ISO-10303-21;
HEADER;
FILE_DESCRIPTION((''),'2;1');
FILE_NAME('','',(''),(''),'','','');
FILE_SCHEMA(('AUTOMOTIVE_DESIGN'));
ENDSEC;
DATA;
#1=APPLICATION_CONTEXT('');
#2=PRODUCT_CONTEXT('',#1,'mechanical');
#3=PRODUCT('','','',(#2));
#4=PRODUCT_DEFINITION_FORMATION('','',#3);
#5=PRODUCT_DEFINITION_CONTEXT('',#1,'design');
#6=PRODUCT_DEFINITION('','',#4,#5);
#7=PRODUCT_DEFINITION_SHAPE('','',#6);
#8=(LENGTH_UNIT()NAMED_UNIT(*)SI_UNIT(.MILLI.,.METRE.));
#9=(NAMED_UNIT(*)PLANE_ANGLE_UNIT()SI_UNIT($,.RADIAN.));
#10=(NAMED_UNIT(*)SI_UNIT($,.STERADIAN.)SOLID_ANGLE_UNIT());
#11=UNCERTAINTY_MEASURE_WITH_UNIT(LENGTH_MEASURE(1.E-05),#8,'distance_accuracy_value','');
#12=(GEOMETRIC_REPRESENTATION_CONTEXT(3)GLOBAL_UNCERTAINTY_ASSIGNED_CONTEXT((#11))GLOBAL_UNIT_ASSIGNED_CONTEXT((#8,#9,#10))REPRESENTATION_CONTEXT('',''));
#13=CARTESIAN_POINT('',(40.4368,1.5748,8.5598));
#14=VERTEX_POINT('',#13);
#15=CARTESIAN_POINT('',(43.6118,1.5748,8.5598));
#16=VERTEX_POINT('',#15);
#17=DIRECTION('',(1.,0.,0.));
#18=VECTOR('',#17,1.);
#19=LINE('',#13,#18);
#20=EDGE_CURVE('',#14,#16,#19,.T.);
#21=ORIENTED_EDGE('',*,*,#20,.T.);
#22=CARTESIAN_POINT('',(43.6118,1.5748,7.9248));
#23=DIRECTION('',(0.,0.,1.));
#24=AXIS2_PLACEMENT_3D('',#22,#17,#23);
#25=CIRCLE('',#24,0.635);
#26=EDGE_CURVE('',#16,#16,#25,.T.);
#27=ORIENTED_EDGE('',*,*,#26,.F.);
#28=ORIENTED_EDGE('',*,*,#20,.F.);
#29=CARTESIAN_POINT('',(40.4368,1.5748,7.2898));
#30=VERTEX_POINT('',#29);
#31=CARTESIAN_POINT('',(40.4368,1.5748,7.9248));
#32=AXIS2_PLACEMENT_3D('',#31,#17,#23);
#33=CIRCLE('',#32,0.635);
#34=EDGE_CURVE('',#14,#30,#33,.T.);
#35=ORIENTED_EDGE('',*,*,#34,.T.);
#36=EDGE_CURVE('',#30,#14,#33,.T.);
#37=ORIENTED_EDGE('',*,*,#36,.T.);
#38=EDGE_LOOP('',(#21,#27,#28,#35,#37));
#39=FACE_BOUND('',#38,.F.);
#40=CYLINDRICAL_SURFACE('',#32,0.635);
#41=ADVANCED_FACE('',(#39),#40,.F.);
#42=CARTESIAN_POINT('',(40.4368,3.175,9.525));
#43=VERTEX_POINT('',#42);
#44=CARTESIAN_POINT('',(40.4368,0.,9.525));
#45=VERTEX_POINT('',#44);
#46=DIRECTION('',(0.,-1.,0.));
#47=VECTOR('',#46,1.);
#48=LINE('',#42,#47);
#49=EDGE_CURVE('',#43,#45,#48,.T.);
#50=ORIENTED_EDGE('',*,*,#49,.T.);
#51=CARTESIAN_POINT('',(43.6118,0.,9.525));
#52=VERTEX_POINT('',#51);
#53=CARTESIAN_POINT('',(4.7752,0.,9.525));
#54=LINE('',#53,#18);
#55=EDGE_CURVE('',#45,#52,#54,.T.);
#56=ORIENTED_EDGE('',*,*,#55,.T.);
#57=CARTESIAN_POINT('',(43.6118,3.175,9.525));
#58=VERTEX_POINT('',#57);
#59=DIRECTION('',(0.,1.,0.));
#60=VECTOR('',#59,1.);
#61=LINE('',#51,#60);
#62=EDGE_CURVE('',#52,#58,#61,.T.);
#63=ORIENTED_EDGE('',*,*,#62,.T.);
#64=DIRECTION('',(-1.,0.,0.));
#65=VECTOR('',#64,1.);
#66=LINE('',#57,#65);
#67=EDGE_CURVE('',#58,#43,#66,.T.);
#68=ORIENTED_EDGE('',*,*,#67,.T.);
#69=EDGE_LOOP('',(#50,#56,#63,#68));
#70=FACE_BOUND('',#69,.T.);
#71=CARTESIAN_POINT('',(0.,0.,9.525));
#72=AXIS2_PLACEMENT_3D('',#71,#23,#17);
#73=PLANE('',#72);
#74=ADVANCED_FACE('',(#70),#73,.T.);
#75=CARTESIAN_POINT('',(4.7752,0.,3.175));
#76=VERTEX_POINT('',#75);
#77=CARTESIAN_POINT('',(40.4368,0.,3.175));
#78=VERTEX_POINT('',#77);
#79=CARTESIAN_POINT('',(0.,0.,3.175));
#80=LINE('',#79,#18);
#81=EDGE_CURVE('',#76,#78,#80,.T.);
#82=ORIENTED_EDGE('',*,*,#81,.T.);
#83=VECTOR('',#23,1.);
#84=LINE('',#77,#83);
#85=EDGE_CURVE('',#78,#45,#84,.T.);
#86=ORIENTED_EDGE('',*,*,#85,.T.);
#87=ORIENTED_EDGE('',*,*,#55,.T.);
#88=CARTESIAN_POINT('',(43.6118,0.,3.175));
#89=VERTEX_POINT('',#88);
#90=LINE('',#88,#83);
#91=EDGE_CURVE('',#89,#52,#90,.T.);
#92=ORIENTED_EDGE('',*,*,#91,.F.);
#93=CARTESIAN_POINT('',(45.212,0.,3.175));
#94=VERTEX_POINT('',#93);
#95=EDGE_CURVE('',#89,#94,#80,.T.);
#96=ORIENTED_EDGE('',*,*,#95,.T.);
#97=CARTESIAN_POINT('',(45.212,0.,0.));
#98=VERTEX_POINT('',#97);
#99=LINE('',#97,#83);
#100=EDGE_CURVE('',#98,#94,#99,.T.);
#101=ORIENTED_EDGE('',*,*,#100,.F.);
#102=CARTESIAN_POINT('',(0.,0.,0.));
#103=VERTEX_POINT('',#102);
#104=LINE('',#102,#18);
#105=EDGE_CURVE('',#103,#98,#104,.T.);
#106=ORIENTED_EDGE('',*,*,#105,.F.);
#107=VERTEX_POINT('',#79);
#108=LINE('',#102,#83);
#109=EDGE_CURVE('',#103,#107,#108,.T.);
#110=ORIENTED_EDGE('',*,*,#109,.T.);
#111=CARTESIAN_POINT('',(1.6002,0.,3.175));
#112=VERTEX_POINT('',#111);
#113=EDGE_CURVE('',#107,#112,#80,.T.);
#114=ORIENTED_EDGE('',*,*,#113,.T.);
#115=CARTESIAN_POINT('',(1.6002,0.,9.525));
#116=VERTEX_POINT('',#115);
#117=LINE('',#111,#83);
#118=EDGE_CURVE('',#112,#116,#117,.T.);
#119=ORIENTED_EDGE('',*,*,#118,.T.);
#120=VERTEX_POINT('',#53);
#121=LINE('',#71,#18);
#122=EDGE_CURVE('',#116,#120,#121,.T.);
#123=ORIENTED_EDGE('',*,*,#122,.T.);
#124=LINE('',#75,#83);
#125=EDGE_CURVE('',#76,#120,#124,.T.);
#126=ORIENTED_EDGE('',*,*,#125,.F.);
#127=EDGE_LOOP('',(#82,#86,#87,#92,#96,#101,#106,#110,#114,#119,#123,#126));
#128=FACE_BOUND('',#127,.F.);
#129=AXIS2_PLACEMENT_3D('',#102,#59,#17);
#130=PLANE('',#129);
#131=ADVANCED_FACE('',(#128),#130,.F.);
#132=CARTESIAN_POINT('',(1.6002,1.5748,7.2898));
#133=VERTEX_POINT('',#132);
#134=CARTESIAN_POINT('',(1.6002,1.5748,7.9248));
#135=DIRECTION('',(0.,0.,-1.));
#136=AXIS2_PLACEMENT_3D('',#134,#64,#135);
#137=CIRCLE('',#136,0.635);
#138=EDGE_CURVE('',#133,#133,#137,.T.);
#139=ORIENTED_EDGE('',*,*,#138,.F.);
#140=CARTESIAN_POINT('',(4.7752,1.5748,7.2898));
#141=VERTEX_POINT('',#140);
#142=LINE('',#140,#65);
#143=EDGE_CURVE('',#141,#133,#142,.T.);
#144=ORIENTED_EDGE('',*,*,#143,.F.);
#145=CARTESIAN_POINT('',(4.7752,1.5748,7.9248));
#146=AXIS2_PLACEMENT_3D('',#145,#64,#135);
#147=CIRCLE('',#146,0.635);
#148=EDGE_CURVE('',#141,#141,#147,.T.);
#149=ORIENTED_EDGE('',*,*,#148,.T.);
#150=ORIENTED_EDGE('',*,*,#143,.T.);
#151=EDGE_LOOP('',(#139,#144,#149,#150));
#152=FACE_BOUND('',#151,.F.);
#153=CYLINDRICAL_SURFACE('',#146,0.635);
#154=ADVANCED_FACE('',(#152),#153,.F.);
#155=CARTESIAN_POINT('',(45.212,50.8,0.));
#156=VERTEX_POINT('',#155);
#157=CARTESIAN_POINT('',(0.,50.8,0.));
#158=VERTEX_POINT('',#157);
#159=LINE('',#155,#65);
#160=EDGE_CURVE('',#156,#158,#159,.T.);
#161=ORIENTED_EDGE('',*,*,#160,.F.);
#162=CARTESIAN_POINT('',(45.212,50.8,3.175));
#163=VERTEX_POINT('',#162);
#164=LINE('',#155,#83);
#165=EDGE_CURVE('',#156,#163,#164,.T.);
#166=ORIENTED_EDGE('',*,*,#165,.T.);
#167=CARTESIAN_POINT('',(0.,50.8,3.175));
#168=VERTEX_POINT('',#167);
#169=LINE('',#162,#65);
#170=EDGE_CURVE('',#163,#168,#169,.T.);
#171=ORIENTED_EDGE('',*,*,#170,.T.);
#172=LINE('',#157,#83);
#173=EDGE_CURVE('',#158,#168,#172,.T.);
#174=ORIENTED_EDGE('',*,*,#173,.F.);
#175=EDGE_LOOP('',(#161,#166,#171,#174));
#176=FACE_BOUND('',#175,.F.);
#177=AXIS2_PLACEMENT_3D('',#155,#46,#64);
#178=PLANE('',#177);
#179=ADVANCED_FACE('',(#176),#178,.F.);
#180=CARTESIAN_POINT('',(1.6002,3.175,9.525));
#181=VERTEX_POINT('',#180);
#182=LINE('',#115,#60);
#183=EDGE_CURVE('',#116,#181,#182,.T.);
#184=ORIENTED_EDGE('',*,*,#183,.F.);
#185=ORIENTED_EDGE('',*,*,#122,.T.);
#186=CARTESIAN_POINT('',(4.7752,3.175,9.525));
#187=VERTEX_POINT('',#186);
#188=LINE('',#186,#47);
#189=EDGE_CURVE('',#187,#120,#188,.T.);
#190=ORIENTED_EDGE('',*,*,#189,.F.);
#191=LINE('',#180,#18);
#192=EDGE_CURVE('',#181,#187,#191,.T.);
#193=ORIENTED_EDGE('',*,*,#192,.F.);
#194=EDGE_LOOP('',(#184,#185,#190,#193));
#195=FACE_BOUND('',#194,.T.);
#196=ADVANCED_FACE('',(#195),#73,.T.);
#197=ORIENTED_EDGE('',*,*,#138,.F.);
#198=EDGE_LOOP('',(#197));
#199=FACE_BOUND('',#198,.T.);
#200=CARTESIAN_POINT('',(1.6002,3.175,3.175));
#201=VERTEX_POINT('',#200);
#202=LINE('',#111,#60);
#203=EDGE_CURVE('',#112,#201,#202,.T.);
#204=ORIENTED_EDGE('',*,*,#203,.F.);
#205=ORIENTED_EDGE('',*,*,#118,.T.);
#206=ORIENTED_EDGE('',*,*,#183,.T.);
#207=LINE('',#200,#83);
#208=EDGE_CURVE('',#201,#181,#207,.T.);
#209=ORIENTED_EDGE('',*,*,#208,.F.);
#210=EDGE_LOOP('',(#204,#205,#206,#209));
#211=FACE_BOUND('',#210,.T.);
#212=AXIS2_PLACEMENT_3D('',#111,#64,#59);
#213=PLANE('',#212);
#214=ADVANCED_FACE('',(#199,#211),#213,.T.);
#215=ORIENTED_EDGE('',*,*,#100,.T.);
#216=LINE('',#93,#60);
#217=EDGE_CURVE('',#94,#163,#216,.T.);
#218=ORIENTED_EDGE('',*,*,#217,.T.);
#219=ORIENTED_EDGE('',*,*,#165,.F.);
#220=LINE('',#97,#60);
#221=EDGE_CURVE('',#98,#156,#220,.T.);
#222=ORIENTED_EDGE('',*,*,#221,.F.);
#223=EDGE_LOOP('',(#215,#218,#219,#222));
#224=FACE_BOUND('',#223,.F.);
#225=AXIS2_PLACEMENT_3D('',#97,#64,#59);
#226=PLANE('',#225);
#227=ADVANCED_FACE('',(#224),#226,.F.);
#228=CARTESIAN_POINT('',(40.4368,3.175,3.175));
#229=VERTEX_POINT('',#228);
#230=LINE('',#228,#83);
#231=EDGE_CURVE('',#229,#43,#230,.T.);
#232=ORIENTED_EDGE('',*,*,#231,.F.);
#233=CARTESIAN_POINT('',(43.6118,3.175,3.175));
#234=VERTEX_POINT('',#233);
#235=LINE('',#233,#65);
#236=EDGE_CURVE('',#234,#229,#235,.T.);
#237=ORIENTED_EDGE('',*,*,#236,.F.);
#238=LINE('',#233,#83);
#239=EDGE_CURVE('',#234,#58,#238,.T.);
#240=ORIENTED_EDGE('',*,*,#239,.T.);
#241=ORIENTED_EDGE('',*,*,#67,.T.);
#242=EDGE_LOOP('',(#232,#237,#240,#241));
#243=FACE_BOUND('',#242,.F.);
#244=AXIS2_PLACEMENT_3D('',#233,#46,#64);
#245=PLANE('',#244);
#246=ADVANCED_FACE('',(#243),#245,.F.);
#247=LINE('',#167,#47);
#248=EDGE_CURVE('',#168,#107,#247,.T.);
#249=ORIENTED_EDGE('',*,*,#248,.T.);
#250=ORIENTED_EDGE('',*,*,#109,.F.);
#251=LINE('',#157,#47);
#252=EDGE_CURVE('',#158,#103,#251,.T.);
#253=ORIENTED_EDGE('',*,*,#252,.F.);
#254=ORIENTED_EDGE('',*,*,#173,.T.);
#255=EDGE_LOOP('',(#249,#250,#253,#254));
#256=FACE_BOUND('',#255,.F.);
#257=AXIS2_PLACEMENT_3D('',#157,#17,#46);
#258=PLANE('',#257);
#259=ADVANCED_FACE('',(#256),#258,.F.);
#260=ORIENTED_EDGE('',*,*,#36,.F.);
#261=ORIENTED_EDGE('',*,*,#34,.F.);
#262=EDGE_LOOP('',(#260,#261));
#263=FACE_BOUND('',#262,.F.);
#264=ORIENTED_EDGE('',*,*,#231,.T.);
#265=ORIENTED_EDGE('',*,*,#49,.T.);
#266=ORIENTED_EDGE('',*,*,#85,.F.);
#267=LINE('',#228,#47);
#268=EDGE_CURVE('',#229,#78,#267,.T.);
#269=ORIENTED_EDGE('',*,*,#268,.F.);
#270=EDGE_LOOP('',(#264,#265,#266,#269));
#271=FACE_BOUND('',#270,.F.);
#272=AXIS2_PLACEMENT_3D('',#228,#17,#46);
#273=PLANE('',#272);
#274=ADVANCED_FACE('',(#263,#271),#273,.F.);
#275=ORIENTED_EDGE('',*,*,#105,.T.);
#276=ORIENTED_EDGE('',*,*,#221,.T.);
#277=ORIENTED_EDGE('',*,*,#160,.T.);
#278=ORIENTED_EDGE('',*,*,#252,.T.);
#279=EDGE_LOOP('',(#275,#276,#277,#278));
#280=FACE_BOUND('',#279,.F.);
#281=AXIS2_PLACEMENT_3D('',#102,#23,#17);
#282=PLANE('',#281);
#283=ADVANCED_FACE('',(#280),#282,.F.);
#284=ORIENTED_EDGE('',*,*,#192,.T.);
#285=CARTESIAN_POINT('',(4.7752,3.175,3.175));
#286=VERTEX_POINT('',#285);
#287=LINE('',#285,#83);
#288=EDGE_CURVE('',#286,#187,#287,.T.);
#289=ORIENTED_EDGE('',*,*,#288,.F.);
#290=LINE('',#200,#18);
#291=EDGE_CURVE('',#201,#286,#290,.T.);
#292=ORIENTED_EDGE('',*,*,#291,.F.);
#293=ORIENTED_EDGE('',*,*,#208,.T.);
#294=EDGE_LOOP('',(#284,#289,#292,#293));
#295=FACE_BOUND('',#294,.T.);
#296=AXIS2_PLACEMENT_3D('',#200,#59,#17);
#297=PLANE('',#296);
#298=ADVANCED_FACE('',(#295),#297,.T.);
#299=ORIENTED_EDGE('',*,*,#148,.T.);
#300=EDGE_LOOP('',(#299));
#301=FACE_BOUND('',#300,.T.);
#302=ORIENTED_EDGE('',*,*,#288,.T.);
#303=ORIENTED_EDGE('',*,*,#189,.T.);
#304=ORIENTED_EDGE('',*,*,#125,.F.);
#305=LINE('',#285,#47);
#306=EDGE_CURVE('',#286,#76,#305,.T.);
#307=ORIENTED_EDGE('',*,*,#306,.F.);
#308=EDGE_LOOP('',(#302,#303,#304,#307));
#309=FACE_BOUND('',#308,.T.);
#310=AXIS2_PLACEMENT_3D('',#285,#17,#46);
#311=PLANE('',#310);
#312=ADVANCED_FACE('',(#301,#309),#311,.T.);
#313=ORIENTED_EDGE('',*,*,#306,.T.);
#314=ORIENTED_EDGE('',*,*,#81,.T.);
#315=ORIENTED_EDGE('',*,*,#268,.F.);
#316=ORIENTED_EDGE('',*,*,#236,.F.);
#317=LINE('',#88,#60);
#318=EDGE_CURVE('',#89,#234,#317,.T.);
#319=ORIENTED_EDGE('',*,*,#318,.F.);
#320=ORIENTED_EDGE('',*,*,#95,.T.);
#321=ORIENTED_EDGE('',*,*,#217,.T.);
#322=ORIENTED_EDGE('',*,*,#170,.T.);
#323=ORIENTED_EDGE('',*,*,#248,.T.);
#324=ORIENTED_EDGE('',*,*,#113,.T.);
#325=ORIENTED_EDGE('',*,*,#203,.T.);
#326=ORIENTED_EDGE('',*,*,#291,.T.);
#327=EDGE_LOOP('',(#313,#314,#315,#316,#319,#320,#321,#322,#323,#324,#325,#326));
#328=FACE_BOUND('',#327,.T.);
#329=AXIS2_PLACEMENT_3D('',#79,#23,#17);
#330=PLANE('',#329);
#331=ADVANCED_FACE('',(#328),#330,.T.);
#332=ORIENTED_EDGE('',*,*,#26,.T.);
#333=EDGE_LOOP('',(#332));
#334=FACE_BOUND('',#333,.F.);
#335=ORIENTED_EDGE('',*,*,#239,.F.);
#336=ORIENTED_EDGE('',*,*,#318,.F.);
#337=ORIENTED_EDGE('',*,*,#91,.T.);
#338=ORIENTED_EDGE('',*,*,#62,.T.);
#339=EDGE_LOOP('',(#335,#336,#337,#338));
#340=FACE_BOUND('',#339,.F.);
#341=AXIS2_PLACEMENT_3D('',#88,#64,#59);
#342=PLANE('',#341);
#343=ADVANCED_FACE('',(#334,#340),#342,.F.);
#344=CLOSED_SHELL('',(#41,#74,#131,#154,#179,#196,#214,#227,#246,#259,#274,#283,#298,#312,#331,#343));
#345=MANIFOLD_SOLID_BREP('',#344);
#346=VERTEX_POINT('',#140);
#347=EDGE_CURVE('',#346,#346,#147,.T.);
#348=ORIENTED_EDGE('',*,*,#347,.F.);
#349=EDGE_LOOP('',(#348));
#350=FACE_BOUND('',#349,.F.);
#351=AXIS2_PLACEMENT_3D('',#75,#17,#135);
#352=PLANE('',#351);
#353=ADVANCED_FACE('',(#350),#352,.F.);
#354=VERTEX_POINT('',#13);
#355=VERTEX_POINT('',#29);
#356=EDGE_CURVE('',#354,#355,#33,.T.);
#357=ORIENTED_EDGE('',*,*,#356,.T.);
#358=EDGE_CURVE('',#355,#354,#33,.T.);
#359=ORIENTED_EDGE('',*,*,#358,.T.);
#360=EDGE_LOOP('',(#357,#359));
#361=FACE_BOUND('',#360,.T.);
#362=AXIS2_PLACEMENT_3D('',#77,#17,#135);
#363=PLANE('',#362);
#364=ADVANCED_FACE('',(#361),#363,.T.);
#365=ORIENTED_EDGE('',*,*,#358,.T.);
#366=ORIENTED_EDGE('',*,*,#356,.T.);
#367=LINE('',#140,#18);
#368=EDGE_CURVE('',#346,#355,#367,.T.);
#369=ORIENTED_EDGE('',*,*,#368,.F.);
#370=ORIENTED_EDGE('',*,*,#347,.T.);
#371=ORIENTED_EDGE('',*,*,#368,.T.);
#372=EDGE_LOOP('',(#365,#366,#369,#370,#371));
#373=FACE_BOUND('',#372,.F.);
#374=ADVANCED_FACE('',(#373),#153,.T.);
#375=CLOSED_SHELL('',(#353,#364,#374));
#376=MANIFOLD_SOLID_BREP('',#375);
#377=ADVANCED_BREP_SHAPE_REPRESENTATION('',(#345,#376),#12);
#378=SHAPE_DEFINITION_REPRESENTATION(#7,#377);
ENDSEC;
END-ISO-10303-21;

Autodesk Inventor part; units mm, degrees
ref_plane "YZ Plane" through (0, 0, 0) normal (1, 0, 0) x (0, 1, 0)
ref_plane "XZ Plane" through (0, 0, 0) normal (0, 1, 0) x (-1, 0, 0)
ref_plane "XY Plane" through (0, 0, 0) normal (0, 0, 1) x (1, 0, 0)
sketch "Sketch1" plane through (0, 0, 0) normal (0, 0, 1) x (1, 0, 0)
  line L0 (0, 0) -> (45.212, 0)
  line L1 (45.212, 0) -> (45.212, 50.8)
  line L2 (45.212, 50.8) -> (0, 50.8)
  line L3 (0, 50.8) -> (0, 0)
  dimension "d0" = 45.212
  dimension "d1" = 50.8
extrude "Extrusion1" add sketch "Sketch1" along normal blind 3.175
sketch "Sketch2" plane through (0, 0, 3.175) normal (0, 0, 1) x (1, 0, 0)
  line L0 (0, 0) -> (45.212, 0) projected
  line L1 (1.6002, 3.175) -> (4.7752, 3.175)
  line L2 (4.7752, 3.175) -> (4.7752, 0)
  line L3 (4.7752, 0) -> (1.6002, 0)
  line L4 (1.6002, 0) -> (1.6002, 3.175)
  dimension "d4" = 3.175
  dimension "d30" = 1.6002
extrude "Extrusion2" add sketch "Sketch2" along normal blind 6.35
sketch "Sketch3" plane through (0, 0, 3.175) normal (0, 0, 1) x (1, 0, 0)
  line L0 (4.7752, 0) -> (45.212, 0) projected
  line L1 (43.6118, 3.175) -> (40.4368, 3.175)
  line L2 (40.4368, 3.175) -> (40.4368, 0)
  line L3 (40.4368, 0) -> (43.6118, 0)
  line L4 (43.6118, 0) -> (43.6118, 3.175)
  line L5 (45.212, 0) -> (45.212, 50.8) projected
  point P0 (0, 0)
  dimension "d7" = 3.175
  dimension "d31" = 1.6002
extrude "Extrusion3" add sketch "Sketch3" along normal blind 6.35
hole "Hole1" at (4.7752, 1.5748, 7.9248) direction (-1, 0, 0) diameter 1.27 end through all
hole "Hole2" at (40.4368, 1.5748, 7.9248) direction (1, 0, 0) diameter 1.27 end through all
sketch "Sketch4" plane through (4.7752, 0, 3.175) normal (1, 0, 0) x (0, 0, -1)
  point P0 (3.175, 0)
  point P1 (-4.7498, 1.5748)
extrude "Extrusion4" [suppressed]
sketch "Sketch5" plane through (4.7752, 0, 3.175) normal (1, 0, 0) x (0, 0, -1)
  point P0 (3.175, 0)
sketch "Sketch6" plane through (4.7752, 0, 3.175) normal (1, 0, 0) x (0, 0, -1)
  circle A0 centre (-4.7498, 1.5748) radius 0.635 projected
  circle A1 centre (-4.7498, 1.5748) radius 0.635
  point P0 (3.175, 0)
extrude "Extrusion5" add sketch "Sketch6" along normal blind 35.6616
properties part number "HingPartUno"
